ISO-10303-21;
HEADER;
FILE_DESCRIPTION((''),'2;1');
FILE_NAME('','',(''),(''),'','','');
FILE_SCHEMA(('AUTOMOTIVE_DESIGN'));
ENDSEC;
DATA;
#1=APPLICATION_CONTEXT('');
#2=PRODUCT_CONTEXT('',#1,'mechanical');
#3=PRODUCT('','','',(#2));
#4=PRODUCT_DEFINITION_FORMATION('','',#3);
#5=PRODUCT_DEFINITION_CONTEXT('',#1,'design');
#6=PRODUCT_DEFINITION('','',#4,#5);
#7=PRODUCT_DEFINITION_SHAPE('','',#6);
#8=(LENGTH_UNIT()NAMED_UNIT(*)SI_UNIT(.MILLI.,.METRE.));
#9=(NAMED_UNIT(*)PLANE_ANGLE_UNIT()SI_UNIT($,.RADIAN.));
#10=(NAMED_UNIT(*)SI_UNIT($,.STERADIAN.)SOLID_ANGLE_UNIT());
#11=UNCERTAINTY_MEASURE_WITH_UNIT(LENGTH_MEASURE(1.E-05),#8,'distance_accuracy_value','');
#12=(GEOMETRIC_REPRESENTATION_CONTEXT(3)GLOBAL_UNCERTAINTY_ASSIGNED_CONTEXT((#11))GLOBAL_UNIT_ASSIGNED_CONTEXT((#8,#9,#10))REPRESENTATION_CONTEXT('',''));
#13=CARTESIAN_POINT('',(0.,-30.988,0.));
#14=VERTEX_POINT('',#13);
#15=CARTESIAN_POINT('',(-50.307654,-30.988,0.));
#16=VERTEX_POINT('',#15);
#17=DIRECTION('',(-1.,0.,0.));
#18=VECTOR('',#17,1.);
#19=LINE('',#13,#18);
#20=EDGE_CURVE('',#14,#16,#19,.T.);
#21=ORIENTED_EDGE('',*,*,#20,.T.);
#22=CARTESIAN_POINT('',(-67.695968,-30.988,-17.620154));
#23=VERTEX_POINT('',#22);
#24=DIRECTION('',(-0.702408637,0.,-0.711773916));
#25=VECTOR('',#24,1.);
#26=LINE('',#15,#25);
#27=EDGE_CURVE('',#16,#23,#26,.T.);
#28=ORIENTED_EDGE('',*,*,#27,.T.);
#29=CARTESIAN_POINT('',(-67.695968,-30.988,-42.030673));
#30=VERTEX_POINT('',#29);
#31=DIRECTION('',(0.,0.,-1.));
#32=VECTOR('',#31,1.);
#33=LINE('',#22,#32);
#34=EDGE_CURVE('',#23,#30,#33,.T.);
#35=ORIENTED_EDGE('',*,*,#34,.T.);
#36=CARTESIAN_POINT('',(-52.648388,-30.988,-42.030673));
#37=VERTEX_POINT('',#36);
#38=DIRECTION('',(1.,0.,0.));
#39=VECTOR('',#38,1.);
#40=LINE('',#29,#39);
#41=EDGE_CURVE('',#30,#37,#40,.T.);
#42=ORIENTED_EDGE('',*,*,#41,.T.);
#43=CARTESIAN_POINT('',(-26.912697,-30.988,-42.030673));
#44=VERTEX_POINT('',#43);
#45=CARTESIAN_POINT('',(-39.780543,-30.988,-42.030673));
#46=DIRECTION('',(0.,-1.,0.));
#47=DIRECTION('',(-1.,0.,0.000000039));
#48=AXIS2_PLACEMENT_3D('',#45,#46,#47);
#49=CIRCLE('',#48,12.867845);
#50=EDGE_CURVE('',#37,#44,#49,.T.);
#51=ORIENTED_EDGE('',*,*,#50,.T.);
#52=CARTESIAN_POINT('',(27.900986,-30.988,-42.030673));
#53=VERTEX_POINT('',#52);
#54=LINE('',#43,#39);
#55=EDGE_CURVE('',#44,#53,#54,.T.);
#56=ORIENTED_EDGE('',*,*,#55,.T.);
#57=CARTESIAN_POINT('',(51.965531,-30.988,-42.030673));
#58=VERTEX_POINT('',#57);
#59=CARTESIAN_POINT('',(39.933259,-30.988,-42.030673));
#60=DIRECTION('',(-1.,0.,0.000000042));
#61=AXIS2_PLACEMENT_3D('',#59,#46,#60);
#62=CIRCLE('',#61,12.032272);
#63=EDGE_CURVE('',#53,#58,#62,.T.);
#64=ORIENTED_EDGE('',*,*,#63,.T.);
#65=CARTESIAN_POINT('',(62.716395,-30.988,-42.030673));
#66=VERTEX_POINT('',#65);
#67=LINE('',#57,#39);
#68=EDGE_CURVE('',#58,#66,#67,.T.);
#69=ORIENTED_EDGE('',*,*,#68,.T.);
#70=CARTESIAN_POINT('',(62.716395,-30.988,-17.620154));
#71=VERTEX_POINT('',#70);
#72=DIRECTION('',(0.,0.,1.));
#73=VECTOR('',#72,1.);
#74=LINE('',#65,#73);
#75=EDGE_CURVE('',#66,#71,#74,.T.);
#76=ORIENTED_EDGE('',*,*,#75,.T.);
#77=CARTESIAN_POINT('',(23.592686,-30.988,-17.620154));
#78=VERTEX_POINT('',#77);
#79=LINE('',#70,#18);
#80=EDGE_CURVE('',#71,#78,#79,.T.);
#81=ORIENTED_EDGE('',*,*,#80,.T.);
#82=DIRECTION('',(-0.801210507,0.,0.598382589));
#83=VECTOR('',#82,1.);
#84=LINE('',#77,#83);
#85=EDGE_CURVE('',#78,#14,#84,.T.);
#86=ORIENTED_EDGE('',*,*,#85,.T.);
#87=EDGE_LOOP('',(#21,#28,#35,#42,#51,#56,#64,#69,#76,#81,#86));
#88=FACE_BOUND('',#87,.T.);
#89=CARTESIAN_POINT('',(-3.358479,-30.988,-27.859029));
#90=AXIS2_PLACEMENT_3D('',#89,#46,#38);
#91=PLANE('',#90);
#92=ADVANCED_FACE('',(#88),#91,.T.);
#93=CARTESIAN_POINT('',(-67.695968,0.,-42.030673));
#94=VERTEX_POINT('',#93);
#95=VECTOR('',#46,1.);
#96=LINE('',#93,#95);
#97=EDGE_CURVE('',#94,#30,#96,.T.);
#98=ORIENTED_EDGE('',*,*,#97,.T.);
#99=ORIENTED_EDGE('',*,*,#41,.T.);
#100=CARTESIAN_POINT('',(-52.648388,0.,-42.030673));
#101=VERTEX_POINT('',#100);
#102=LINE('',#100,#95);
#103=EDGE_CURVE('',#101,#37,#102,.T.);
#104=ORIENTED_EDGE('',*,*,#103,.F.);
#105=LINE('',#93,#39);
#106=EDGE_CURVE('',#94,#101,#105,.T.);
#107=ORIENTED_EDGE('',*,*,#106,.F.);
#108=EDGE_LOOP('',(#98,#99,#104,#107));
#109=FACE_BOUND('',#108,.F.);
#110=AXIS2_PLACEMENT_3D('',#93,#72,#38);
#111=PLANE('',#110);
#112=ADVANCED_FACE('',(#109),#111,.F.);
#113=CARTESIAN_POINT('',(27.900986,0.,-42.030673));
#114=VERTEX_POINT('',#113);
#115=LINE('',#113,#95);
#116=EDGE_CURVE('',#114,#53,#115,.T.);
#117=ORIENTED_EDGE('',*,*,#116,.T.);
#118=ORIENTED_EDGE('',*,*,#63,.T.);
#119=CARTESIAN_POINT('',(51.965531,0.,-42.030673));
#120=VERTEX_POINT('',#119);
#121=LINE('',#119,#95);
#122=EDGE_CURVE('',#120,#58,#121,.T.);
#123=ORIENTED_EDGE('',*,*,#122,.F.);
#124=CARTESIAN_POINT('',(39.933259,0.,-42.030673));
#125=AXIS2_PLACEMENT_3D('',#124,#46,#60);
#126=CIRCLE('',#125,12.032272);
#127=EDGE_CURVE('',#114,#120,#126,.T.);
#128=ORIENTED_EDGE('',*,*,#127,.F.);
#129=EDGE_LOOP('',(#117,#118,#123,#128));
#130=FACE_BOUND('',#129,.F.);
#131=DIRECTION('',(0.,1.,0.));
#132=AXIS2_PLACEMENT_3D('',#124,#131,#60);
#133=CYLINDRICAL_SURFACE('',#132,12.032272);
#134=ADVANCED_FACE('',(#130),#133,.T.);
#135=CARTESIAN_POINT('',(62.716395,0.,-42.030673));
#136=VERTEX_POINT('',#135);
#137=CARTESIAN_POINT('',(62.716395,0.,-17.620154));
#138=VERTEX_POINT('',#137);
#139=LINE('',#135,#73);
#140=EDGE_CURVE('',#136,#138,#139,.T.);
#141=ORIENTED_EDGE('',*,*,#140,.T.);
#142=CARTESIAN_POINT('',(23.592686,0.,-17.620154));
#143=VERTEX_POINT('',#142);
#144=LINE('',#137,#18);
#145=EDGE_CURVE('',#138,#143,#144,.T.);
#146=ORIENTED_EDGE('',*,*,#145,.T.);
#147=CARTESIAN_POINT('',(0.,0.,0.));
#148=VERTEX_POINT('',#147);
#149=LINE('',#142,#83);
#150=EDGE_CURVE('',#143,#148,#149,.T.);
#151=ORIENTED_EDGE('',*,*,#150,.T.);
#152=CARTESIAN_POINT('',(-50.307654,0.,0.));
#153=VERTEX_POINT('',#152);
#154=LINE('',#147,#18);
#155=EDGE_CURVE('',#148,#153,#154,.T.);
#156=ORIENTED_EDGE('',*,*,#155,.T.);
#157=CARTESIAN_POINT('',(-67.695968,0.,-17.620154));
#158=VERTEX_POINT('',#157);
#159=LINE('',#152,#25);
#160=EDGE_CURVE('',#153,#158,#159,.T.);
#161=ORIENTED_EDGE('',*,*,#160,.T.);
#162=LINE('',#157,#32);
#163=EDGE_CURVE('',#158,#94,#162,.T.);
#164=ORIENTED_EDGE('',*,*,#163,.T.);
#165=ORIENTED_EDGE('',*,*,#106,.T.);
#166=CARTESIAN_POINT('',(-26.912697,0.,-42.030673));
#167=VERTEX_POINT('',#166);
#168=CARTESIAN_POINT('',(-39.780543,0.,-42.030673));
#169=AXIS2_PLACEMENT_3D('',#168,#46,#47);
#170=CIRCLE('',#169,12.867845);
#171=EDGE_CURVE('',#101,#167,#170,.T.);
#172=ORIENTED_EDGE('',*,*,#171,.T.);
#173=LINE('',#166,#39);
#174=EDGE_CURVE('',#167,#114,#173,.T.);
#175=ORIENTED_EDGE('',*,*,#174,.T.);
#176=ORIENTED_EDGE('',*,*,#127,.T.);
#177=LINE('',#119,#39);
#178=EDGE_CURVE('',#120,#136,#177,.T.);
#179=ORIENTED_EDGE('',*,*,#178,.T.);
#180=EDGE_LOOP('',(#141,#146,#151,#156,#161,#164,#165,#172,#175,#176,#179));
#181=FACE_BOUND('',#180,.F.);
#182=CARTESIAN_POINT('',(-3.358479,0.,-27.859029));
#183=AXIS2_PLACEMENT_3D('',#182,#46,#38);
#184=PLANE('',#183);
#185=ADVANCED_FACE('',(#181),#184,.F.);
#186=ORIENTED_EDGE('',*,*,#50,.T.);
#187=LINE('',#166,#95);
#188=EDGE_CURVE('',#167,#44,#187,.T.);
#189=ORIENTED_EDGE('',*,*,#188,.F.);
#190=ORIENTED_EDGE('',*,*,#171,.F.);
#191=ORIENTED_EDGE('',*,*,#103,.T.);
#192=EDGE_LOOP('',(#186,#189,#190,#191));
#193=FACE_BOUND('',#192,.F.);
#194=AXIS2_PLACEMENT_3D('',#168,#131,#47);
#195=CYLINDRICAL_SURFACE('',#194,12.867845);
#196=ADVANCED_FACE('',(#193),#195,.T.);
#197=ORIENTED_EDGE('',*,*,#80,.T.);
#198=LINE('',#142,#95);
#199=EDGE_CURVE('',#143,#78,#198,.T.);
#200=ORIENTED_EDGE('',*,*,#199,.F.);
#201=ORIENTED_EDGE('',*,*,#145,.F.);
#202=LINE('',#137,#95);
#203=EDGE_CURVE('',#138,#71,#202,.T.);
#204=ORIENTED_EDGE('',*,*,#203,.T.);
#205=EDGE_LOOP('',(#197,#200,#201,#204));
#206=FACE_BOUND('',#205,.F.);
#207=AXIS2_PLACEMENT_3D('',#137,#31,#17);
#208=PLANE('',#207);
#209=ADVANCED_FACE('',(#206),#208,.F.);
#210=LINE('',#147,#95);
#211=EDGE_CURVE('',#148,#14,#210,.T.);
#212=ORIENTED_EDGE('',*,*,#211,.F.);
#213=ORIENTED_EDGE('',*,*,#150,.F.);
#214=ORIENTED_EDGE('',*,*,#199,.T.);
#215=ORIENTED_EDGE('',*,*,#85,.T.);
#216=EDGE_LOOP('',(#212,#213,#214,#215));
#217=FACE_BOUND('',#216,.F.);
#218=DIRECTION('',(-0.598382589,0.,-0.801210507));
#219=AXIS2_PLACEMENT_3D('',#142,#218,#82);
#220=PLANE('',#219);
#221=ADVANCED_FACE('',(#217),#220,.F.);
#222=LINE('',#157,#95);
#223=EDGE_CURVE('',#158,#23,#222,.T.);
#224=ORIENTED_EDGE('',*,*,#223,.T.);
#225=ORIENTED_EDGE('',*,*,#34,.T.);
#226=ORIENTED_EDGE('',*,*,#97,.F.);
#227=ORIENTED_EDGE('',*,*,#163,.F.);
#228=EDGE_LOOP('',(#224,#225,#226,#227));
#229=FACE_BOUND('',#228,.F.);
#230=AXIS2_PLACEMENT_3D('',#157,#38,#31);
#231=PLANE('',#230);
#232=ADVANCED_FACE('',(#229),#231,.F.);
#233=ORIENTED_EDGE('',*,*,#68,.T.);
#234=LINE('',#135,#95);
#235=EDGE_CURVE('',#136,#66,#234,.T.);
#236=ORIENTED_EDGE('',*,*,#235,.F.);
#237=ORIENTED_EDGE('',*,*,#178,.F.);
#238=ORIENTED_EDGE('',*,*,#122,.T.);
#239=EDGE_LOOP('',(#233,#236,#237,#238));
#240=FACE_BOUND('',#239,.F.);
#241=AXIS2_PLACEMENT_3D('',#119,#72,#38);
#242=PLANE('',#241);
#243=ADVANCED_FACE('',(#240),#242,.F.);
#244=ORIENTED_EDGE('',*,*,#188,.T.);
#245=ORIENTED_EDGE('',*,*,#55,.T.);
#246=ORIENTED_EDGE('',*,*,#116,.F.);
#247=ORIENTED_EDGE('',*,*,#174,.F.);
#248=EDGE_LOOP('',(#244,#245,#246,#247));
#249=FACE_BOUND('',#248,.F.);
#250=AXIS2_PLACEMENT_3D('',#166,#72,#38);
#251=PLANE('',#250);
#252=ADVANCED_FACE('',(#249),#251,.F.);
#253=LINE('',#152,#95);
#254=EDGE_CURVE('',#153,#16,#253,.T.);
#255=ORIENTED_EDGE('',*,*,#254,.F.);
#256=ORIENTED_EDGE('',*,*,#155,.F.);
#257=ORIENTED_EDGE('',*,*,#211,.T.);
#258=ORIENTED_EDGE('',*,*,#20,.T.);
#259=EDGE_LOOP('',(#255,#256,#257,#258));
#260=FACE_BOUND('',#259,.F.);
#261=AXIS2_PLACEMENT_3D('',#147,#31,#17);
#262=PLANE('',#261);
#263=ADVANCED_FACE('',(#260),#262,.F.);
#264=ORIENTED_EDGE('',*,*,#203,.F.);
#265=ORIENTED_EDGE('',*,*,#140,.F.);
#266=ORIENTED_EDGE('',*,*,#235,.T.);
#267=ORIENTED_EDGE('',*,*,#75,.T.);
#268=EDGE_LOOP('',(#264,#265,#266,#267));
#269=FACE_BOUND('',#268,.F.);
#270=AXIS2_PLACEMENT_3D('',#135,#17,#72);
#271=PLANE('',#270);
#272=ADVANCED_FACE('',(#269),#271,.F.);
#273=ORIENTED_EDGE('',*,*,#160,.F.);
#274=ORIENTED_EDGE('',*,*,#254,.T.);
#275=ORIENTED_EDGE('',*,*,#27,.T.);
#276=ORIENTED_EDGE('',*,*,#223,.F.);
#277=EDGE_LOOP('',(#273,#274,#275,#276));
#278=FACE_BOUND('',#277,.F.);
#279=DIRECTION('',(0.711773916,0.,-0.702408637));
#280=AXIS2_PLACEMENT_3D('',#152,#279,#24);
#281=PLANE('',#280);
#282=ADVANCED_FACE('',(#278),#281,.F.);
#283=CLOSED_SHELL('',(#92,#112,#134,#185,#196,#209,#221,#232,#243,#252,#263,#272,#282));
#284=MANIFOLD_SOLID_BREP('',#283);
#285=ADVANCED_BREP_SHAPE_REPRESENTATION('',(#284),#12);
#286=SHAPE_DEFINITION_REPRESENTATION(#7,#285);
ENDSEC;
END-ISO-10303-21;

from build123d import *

# Parameters (mm, degrees)
F1_DEPTH = 30.988


with BuildPart() as f1:
    # F0 (on Front) → F1 (new body)
    with BuildSketch(Plane.XZ):
        with BuildLine():
            Line((62.716395, -38.686767), (62.716395, -17.620154))
            Line((62.716395, -17.620154), (23.592686, -17.620154))
            Line((23.592686, -17.620154), (0, 0))
            Line((0, 0), (-50.307654, 0))
            Line((-50.307654, 0), (-67.695968, -17.620154))
            Line((-67.695968, -17.620154), (-67.695968, -38.686767))
            Line((-67.695968, -38.686767), (-67.695968, -42.030673))
            Line((-67.695968, -42.030673), (-52.648388, -42.030673))
            ThreePointArc((-52.648388, -42.030673), (-39.780542, -54.898519), (-26.912697, -42.030673))
            Line((-26.912697, -42.030673), (27.900986, -42.030673))
            ThreePointArc((27.900986, -42.030673), (39.933259, -54.062946), (51.965531, -42.030673))
            Line((51.965531, -42.030673), (62.716395, -42.030673))
            Line((62.716395, -42.030673), (62.716395, -38.686767))
        make_face()
    extrude(amount=F1_DEPTH)


solid = f1.part
